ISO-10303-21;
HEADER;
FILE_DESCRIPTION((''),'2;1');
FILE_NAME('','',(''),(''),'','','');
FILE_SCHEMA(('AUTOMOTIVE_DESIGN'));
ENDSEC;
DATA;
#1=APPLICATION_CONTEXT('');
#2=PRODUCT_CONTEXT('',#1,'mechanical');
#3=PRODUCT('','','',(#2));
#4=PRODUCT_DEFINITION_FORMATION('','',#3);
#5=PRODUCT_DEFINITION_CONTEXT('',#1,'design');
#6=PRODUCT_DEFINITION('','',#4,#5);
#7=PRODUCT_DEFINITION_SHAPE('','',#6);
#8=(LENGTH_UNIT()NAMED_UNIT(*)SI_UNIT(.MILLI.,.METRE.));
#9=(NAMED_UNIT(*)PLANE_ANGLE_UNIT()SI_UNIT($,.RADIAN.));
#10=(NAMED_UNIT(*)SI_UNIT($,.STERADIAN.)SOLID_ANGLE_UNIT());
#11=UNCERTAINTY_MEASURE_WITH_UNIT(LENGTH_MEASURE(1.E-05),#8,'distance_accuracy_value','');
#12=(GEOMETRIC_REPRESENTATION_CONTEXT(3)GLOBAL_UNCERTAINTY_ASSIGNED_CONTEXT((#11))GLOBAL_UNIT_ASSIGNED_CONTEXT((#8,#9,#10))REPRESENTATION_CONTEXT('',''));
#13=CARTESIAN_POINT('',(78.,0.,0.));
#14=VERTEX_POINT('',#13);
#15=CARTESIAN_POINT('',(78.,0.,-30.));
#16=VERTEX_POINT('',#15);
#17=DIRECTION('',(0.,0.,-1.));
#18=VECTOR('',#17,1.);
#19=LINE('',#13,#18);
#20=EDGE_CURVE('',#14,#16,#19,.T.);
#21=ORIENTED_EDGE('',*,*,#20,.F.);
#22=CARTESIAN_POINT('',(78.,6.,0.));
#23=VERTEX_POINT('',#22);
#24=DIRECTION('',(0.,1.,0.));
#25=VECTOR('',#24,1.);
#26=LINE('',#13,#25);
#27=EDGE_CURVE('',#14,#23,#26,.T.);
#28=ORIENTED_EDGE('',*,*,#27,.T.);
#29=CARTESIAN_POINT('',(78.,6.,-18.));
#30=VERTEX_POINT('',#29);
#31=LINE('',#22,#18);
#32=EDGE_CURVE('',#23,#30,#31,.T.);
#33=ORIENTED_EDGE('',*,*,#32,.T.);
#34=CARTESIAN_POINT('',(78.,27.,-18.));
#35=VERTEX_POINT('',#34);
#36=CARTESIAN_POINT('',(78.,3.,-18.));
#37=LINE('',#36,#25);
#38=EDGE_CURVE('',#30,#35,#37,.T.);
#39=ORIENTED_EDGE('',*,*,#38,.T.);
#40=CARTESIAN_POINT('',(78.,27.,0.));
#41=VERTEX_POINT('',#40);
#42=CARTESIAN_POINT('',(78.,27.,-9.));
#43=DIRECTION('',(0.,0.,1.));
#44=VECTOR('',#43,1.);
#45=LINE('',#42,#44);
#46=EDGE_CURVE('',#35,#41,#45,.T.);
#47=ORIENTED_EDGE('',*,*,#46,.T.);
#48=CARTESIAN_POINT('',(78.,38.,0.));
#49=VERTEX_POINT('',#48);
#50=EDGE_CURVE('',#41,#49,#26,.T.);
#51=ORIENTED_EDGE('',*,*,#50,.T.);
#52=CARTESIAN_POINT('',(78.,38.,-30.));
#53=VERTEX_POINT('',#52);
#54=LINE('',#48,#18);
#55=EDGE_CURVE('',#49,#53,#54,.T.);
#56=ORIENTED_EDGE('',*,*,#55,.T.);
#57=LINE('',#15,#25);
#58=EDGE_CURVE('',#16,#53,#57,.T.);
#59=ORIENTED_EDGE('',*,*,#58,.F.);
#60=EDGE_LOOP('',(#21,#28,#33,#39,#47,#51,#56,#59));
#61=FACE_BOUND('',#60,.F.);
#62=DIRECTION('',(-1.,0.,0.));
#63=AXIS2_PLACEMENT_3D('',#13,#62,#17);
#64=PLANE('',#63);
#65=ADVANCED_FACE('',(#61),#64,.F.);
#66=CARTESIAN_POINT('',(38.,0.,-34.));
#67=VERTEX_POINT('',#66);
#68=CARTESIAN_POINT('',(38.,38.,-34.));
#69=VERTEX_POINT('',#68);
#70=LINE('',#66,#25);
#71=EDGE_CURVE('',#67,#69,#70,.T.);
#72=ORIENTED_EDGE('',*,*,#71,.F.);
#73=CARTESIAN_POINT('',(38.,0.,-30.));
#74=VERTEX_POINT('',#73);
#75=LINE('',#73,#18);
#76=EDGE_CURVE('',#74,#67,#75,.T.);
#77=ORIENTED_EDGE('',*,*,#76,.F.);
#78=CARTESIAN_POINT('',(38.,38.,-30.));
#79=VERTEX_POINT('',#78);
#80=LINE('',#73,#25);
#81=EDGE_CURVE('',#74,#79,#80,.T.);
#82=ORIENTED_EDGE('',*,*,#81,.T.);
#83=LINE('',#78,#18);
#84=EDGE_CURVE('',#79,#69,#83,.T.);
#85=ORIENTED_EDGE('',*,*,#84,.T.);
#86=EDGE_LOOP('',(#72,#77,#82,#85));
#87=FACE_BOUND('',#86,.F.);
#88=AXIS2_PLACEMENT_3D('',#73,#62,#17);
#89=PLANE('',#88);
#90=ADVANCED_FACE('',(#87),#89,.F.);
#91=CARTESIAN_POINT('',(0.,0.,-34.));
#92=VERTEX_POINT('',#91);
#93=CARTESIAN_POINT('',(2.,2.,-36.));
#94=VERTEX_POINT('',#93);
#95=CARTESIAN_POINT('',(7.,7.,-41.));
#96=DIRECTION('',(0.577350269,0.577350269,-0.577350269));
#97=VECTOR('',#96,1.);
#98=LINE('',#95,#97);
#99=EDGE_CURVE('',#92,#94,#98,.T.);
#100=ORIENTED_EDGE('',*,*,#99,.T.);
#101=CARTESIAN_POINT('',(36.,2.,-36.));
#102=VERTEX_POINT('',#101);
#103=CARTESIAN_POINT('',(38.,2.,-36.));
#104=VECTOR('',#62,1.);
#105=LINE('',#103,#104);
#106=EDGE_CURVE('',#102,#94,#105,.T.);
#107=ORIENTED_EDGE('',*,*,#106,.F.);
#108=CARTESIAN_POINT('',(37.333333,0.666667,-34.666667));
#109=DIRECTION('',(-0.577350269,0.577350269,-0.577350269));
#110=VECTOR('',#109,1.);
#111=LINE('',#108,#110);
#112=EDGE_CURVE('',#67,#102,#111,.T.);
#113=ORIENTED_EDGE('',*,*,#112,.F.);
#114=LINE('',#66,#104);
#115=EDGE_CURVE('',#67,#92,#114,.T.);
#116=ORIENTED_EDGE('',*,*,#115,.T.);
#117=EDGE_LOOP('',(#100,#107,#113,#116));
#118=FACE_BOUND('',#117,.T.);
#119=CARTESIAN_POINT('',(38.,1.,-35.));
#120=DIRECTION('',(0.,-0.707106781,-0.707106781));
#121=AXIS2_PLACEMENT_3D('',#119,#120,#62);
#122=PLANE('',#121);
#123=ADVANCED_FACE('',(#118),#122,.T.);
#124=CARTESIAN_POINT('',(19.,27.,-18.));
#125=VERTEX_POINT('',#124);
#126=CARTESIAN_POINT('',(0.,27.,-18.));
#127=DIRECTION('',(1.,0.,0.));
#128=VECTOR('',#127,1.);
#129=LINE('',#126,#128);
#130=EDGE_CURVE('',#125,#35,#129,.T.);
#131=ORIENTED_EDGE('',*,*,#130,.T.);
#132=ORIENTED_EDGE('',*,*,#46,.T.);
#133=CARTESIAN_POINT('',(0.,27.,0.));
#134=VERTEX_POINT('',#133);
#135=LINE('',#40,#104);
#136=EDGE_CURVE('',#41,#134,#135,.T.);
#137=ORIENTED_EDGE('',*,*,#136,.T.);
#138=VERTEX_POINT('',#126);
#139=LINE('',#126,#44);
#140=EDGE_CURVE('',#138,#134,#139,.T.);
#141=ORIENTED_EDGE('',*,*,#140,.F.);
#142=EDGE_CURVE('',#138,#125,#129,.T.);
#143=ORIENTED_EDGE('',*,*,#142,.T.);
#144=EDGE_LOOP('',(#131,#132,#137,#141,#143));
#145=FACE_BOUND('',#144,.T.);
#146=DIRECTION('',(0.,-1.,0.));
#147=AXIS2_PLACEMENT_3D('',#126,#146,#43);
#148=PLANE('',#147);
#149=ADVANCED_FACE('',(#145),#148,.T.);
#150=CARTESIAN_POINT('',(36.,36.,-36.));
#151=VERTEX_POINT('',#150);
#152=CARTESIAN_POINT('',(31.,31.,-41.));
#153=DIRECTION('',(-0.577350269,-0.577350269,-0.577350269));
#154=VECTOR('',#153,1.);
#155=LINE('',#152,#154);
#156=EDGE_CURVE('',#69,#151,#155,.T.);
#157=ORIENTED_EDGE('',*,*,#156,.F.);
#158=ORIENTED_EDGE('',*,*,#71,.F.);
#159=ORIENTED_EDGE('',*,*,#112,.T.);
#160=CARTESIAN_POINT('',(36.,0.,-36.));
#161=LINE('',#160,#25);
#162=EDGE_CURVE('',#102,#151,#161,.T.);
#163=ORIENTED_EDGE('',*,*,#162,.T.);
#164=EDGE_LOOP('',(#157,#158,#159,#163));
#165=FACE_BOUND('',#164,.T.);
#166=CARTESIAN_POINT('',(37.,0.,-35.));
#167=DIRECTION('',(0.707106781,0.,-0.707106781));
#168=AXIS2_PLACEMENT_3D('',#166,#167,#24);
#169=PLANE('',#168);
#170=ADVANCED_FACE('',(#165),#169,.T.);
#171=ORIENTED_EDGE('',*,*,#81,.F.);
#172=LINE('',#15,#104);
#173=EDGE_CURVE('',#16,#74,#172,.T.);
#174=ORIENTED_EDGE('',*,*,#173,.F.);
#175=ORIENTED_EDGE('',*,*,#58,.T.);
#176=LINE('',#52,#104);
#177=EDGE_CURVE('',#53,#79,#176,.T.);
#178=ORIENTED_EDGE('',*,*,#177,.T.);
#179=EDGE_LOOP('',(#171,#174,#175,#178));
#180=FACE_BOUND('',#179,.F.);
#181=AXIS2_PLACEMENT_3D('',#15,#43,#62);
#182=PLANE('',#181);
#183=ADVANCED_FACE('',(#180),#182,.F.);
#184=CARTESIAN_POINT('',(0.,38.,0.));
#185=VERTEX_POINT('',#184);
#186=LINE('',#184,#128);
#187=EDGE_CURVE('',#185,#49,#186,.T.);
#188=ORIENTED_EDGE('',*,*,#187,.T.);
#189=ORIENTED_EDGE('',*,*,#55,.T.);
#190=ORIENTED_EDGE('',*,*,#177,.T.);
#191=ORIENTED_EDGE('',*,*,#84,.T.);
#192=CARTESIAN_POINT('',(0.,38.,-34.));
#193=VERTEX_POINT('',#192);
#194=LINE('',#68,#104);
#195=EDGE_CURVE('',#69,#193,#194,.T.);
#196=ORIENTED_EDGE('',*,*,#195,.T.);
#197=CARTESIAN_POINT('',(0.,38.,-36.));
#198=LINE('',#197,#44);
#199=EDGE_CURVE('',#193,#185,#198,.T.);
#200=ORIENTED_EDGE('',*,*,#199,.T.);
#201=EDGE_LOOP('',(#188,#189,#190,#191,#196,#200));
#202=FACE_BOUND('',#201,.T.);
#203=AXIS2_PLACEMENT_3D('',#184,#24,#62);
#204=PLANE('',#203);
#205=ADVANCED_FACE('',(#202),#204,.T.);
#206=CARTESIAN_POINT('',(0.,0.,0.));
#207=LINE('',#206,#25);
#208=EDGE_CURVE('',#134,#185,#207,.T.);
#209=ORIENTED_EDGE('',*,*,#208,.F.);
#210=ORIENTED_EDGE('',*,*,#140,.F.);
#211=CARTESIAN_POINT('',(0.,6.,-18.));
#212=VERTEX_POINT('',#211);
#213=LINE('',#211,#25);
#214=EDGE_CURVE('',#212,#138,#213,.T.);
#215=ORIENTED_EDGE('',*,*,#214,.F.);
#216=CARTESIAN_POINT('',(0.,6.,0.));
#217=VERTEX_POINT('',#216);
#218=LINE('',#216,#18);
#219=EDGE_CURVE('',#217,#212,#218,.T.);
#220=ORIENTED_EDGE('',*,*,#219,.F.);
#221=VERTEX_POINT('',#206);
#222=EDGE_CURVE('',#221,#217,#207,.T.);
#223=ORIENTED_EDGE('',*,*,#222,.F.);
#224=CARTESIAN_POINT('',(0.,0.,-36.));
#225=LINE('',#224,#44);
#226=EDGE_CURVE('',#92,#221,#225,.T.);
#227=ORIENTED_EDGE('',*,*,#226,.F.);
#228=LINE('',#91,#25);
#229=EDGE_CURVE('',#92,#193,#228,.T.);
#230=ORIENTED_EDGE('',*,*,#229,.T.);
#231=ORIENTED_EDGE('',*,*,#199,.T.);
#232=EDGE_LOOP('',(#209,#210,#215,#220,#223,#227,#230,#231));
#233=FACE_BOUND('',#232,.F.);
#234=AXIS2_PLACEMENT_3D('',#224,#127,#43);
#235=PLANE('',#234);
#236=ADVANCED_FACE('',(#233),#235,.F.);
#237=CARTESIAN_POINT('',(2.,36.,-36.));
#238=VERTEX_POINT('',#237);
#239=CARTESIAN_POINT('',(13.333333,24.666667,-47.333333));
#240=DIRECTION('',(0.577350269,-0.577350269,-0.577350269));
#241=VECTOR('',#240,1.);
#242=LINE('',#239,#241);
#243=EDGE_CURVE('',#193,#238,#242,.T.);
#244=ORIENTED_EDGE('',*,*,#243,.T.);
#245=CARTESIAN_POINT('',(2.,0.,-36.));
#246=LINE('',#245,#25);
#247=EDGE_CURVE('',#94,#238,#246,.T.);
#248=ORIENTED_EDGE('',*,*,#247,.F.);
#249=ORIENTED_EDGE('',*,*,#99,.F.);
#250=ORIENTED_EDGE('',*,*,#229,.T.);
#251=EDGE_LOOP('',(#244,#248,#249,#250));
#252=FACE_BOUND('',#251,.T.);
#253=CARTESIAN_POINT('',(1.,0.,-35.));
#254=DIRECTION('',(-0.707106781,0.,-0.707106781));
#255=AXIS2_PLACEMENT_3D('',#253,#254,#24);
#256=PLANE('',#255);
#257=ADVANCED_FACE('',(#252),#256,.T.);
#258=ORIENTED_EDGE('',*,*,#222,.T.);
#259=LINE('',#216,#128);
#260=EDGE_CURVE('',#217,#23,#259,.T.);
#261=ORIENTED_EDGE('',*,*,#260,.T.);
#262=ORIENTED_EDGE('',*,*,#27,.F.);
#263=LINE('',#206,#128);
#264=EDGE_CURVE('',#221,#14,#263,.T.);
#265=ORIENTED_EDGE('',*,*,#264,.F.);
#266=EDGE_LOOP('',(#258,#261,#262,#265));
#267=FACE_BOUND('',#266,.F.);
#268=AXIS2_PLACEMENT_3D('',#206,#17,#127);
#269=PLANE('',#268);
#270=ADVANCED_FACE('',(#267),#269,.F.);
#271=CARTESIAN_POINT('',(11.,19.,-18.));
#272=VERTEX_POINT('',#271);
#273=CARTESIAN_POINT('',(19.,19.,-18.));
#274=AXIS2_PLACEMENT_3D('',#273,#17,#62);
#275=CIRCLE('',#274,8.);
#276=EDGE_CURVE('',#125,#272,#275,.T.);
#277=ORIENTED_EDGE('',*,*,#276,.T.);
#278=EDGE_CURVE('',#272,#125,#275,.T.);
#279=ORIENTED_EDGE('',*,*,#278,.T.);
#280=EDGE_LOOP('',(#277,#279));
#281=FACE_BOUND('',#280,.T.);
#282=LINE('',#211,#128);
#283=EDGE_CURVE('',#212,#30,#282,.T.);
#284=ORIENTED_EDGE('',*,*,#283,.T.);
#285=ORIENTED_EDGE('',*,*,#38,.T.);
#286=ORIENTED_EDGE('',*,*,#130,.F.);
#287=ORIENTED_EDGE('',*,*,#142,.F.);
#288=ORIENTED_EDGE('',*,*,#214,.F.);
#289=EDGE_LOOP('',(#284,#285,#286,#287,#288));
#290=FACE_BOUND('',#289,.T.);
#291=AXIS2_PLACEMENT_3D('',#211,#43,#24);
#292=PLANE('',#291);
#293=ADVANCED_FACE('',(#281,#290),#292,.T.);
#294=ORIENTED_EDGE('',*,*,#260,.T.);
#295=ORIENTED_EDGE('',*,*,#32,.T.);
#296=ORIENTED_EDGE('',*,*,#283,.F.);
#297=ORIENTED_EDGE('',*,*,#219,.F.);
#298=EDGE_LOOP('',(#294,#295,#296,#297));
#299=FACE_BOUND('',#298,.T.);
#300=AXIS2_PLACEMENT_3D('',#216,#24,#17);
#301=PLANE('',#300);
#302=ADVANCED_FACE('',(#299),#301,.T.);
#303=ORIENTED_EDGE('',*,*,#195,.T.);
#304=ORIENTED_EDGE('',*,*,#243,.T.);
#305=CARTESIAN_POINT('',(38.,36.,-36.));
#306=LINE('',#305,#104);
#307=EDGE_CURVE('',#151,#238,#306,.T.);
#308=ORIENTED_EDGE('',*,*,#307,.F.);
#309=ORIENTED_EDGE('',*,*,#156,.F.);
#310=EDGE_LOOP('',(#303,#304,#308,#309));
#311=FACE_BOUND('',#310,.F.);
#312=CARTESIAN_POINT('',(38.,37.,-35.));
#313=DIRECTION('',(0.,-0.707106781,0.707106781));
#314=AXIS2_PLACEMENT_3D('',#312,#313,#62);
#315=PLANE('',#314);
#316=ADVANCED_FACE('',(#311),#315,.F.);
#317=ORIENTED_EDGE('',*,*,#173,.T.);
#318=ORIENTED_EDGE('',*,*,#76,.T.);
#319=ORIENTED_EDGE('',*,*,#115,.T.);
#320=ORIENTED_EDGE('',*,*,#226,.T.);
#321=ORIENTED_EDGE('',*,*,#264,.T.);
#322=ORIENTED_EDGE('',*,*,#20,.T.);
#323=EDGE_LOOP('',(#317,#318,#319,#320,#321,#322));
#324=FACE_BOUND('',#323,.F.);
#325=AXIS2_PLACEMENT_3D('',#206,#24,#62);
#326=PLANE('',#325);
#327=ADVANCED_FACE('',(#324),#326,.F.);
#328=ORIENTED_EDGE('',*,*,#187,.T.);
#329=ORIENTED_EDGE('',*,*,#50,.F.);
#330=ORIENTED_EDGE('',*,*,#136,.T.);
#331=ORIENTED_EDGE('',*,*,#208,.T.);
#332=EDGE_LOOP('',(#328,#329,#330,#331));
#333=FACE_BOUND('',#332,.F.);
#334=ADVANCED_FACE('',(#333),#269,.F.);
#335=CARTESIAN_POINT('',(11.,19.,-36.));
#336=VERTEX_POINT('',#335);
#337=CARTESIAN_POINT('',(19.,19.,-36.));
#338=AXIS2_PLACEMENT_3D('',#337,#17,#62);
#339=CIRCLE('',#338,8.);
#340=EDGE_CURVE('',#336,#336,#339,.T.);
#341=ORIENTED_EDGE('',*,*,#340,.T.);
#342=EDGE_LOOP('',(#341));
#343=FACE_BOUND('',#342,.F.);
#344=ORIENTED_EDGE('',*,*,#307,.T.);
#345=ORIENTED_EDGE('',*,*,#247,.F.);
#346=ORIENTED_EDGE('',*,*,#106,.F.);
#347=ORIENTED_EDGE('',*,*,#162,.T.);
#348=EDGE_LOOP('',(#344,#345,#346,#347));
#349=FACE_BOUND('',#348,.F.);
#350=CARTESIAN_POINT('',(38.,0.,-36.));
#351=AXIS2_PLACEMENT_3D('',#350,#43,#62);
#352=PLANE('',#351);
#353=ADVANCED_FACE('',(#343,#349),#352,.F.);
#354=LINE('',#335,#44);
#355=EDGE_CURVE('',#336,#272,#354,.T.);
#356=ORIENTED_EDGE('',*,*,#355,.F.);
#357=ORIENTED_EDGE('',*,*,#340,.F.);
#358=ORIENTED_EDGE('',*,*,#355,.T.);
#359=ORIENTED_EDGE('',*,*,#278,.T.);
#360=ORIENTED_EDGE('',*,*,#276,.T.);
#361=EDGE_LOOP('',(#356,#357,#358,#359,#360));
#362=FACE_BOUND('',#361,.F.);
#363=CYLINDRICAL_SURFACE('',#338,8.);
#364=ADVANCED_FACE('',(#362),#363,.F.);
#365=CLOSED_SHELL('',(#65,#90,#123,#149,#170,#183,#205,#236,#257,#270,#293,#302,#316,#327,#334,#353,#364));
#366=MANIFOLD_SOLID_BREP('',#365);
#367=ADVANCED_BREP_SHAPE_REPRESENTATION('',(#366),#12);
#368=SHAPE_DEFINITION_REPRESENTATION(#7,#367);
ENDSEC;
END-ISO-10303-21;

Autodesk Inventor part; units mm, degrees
ref_plane "YZ Plane" through (0, 0, 0) normal (1, 0, 0) x (0, 1, 0)
ref_plane "XZ Plane" through (0, 0, 0) normal (0, 1, 0) x (-1, 0, 0)
ref_plane "XY Plane" through (0, 0, 0) normal (0, 0, 1) x (1, 0, 0)
sketch "Boceto2" plane through (0, 0, 0) normal (0, 1, 0) x (-1, 0, 0)
  line L0 (0, 0) -> (-78, 0)
  line L1 (-78, 0) -> (-78, -30)
  line L2 (-78, -30) -> (-38, -30)
  line L3 (-38, -30) -> (-38, -36)
  line L4 (-38, -36) -> (0, -36)
  line L5 (0, -36) -> (0, 0)
  dimension "d2" = 78
  dimension "d3" = 36
  dimension "d4" = 30
  dimension "d5" = 38
extrude "Extrusión1" add sketch "Boceto2" along normal blind 38
sketch "Boceto3" plane through (0, 0, -36) normal (-1, 0, 0) x (0, 0, 1)
  line L0 (0, 0) -> (36, 0) construction
  line L1 (36, 0) -> (36, 6) construction
  line L2 (36, 0) -> (36, 38) construction
  line L3 (36, 6) -> (36, 27) construction
  line L4 (36, 27) -> (36, 38) construction
  line L5 (36, 6) -> (18, 6)
  line L6 (18, 6) -> (18, 27)
  line L7 (18, 27) -> (36, 27)
  line L8 (36, 6) -> (36, 27)
  dimension "d8" = 6
  dimension "d9" = 21
  dimension "d10" = 38
  dimension "d11" = 18
extrude "Extrusión2" cut sketch "Boceto3" against normal through all
sketch "Boceto4" plane through (38, 0, -36) normal (0, 0, -1) x (-1, 0, 0)
  line L0 (38, 27) -> (38, 38) construction
  line L1 (38, 38) -> (38, 19) construction
  line L2 (38, 19) -> (19, 19) construction
  line L3 (0, 0) -> (0, 38) construction
  circle A0 centre (19, 19) radius 8
  point P0 (38, 0)
  dimension "d14" = 19
  dimension "d15" = 19
  dimension "d16" = 16
extrude "Extrusión3" cut sketch "Boceto4" against normal through all
chamfer "Chaflán1" distance 2 angle 45 4 edges at (19, 38, -36) (0, 19, -36) (19, 0, -36) (38, 19, -36)
properties part number "Practica 6"
